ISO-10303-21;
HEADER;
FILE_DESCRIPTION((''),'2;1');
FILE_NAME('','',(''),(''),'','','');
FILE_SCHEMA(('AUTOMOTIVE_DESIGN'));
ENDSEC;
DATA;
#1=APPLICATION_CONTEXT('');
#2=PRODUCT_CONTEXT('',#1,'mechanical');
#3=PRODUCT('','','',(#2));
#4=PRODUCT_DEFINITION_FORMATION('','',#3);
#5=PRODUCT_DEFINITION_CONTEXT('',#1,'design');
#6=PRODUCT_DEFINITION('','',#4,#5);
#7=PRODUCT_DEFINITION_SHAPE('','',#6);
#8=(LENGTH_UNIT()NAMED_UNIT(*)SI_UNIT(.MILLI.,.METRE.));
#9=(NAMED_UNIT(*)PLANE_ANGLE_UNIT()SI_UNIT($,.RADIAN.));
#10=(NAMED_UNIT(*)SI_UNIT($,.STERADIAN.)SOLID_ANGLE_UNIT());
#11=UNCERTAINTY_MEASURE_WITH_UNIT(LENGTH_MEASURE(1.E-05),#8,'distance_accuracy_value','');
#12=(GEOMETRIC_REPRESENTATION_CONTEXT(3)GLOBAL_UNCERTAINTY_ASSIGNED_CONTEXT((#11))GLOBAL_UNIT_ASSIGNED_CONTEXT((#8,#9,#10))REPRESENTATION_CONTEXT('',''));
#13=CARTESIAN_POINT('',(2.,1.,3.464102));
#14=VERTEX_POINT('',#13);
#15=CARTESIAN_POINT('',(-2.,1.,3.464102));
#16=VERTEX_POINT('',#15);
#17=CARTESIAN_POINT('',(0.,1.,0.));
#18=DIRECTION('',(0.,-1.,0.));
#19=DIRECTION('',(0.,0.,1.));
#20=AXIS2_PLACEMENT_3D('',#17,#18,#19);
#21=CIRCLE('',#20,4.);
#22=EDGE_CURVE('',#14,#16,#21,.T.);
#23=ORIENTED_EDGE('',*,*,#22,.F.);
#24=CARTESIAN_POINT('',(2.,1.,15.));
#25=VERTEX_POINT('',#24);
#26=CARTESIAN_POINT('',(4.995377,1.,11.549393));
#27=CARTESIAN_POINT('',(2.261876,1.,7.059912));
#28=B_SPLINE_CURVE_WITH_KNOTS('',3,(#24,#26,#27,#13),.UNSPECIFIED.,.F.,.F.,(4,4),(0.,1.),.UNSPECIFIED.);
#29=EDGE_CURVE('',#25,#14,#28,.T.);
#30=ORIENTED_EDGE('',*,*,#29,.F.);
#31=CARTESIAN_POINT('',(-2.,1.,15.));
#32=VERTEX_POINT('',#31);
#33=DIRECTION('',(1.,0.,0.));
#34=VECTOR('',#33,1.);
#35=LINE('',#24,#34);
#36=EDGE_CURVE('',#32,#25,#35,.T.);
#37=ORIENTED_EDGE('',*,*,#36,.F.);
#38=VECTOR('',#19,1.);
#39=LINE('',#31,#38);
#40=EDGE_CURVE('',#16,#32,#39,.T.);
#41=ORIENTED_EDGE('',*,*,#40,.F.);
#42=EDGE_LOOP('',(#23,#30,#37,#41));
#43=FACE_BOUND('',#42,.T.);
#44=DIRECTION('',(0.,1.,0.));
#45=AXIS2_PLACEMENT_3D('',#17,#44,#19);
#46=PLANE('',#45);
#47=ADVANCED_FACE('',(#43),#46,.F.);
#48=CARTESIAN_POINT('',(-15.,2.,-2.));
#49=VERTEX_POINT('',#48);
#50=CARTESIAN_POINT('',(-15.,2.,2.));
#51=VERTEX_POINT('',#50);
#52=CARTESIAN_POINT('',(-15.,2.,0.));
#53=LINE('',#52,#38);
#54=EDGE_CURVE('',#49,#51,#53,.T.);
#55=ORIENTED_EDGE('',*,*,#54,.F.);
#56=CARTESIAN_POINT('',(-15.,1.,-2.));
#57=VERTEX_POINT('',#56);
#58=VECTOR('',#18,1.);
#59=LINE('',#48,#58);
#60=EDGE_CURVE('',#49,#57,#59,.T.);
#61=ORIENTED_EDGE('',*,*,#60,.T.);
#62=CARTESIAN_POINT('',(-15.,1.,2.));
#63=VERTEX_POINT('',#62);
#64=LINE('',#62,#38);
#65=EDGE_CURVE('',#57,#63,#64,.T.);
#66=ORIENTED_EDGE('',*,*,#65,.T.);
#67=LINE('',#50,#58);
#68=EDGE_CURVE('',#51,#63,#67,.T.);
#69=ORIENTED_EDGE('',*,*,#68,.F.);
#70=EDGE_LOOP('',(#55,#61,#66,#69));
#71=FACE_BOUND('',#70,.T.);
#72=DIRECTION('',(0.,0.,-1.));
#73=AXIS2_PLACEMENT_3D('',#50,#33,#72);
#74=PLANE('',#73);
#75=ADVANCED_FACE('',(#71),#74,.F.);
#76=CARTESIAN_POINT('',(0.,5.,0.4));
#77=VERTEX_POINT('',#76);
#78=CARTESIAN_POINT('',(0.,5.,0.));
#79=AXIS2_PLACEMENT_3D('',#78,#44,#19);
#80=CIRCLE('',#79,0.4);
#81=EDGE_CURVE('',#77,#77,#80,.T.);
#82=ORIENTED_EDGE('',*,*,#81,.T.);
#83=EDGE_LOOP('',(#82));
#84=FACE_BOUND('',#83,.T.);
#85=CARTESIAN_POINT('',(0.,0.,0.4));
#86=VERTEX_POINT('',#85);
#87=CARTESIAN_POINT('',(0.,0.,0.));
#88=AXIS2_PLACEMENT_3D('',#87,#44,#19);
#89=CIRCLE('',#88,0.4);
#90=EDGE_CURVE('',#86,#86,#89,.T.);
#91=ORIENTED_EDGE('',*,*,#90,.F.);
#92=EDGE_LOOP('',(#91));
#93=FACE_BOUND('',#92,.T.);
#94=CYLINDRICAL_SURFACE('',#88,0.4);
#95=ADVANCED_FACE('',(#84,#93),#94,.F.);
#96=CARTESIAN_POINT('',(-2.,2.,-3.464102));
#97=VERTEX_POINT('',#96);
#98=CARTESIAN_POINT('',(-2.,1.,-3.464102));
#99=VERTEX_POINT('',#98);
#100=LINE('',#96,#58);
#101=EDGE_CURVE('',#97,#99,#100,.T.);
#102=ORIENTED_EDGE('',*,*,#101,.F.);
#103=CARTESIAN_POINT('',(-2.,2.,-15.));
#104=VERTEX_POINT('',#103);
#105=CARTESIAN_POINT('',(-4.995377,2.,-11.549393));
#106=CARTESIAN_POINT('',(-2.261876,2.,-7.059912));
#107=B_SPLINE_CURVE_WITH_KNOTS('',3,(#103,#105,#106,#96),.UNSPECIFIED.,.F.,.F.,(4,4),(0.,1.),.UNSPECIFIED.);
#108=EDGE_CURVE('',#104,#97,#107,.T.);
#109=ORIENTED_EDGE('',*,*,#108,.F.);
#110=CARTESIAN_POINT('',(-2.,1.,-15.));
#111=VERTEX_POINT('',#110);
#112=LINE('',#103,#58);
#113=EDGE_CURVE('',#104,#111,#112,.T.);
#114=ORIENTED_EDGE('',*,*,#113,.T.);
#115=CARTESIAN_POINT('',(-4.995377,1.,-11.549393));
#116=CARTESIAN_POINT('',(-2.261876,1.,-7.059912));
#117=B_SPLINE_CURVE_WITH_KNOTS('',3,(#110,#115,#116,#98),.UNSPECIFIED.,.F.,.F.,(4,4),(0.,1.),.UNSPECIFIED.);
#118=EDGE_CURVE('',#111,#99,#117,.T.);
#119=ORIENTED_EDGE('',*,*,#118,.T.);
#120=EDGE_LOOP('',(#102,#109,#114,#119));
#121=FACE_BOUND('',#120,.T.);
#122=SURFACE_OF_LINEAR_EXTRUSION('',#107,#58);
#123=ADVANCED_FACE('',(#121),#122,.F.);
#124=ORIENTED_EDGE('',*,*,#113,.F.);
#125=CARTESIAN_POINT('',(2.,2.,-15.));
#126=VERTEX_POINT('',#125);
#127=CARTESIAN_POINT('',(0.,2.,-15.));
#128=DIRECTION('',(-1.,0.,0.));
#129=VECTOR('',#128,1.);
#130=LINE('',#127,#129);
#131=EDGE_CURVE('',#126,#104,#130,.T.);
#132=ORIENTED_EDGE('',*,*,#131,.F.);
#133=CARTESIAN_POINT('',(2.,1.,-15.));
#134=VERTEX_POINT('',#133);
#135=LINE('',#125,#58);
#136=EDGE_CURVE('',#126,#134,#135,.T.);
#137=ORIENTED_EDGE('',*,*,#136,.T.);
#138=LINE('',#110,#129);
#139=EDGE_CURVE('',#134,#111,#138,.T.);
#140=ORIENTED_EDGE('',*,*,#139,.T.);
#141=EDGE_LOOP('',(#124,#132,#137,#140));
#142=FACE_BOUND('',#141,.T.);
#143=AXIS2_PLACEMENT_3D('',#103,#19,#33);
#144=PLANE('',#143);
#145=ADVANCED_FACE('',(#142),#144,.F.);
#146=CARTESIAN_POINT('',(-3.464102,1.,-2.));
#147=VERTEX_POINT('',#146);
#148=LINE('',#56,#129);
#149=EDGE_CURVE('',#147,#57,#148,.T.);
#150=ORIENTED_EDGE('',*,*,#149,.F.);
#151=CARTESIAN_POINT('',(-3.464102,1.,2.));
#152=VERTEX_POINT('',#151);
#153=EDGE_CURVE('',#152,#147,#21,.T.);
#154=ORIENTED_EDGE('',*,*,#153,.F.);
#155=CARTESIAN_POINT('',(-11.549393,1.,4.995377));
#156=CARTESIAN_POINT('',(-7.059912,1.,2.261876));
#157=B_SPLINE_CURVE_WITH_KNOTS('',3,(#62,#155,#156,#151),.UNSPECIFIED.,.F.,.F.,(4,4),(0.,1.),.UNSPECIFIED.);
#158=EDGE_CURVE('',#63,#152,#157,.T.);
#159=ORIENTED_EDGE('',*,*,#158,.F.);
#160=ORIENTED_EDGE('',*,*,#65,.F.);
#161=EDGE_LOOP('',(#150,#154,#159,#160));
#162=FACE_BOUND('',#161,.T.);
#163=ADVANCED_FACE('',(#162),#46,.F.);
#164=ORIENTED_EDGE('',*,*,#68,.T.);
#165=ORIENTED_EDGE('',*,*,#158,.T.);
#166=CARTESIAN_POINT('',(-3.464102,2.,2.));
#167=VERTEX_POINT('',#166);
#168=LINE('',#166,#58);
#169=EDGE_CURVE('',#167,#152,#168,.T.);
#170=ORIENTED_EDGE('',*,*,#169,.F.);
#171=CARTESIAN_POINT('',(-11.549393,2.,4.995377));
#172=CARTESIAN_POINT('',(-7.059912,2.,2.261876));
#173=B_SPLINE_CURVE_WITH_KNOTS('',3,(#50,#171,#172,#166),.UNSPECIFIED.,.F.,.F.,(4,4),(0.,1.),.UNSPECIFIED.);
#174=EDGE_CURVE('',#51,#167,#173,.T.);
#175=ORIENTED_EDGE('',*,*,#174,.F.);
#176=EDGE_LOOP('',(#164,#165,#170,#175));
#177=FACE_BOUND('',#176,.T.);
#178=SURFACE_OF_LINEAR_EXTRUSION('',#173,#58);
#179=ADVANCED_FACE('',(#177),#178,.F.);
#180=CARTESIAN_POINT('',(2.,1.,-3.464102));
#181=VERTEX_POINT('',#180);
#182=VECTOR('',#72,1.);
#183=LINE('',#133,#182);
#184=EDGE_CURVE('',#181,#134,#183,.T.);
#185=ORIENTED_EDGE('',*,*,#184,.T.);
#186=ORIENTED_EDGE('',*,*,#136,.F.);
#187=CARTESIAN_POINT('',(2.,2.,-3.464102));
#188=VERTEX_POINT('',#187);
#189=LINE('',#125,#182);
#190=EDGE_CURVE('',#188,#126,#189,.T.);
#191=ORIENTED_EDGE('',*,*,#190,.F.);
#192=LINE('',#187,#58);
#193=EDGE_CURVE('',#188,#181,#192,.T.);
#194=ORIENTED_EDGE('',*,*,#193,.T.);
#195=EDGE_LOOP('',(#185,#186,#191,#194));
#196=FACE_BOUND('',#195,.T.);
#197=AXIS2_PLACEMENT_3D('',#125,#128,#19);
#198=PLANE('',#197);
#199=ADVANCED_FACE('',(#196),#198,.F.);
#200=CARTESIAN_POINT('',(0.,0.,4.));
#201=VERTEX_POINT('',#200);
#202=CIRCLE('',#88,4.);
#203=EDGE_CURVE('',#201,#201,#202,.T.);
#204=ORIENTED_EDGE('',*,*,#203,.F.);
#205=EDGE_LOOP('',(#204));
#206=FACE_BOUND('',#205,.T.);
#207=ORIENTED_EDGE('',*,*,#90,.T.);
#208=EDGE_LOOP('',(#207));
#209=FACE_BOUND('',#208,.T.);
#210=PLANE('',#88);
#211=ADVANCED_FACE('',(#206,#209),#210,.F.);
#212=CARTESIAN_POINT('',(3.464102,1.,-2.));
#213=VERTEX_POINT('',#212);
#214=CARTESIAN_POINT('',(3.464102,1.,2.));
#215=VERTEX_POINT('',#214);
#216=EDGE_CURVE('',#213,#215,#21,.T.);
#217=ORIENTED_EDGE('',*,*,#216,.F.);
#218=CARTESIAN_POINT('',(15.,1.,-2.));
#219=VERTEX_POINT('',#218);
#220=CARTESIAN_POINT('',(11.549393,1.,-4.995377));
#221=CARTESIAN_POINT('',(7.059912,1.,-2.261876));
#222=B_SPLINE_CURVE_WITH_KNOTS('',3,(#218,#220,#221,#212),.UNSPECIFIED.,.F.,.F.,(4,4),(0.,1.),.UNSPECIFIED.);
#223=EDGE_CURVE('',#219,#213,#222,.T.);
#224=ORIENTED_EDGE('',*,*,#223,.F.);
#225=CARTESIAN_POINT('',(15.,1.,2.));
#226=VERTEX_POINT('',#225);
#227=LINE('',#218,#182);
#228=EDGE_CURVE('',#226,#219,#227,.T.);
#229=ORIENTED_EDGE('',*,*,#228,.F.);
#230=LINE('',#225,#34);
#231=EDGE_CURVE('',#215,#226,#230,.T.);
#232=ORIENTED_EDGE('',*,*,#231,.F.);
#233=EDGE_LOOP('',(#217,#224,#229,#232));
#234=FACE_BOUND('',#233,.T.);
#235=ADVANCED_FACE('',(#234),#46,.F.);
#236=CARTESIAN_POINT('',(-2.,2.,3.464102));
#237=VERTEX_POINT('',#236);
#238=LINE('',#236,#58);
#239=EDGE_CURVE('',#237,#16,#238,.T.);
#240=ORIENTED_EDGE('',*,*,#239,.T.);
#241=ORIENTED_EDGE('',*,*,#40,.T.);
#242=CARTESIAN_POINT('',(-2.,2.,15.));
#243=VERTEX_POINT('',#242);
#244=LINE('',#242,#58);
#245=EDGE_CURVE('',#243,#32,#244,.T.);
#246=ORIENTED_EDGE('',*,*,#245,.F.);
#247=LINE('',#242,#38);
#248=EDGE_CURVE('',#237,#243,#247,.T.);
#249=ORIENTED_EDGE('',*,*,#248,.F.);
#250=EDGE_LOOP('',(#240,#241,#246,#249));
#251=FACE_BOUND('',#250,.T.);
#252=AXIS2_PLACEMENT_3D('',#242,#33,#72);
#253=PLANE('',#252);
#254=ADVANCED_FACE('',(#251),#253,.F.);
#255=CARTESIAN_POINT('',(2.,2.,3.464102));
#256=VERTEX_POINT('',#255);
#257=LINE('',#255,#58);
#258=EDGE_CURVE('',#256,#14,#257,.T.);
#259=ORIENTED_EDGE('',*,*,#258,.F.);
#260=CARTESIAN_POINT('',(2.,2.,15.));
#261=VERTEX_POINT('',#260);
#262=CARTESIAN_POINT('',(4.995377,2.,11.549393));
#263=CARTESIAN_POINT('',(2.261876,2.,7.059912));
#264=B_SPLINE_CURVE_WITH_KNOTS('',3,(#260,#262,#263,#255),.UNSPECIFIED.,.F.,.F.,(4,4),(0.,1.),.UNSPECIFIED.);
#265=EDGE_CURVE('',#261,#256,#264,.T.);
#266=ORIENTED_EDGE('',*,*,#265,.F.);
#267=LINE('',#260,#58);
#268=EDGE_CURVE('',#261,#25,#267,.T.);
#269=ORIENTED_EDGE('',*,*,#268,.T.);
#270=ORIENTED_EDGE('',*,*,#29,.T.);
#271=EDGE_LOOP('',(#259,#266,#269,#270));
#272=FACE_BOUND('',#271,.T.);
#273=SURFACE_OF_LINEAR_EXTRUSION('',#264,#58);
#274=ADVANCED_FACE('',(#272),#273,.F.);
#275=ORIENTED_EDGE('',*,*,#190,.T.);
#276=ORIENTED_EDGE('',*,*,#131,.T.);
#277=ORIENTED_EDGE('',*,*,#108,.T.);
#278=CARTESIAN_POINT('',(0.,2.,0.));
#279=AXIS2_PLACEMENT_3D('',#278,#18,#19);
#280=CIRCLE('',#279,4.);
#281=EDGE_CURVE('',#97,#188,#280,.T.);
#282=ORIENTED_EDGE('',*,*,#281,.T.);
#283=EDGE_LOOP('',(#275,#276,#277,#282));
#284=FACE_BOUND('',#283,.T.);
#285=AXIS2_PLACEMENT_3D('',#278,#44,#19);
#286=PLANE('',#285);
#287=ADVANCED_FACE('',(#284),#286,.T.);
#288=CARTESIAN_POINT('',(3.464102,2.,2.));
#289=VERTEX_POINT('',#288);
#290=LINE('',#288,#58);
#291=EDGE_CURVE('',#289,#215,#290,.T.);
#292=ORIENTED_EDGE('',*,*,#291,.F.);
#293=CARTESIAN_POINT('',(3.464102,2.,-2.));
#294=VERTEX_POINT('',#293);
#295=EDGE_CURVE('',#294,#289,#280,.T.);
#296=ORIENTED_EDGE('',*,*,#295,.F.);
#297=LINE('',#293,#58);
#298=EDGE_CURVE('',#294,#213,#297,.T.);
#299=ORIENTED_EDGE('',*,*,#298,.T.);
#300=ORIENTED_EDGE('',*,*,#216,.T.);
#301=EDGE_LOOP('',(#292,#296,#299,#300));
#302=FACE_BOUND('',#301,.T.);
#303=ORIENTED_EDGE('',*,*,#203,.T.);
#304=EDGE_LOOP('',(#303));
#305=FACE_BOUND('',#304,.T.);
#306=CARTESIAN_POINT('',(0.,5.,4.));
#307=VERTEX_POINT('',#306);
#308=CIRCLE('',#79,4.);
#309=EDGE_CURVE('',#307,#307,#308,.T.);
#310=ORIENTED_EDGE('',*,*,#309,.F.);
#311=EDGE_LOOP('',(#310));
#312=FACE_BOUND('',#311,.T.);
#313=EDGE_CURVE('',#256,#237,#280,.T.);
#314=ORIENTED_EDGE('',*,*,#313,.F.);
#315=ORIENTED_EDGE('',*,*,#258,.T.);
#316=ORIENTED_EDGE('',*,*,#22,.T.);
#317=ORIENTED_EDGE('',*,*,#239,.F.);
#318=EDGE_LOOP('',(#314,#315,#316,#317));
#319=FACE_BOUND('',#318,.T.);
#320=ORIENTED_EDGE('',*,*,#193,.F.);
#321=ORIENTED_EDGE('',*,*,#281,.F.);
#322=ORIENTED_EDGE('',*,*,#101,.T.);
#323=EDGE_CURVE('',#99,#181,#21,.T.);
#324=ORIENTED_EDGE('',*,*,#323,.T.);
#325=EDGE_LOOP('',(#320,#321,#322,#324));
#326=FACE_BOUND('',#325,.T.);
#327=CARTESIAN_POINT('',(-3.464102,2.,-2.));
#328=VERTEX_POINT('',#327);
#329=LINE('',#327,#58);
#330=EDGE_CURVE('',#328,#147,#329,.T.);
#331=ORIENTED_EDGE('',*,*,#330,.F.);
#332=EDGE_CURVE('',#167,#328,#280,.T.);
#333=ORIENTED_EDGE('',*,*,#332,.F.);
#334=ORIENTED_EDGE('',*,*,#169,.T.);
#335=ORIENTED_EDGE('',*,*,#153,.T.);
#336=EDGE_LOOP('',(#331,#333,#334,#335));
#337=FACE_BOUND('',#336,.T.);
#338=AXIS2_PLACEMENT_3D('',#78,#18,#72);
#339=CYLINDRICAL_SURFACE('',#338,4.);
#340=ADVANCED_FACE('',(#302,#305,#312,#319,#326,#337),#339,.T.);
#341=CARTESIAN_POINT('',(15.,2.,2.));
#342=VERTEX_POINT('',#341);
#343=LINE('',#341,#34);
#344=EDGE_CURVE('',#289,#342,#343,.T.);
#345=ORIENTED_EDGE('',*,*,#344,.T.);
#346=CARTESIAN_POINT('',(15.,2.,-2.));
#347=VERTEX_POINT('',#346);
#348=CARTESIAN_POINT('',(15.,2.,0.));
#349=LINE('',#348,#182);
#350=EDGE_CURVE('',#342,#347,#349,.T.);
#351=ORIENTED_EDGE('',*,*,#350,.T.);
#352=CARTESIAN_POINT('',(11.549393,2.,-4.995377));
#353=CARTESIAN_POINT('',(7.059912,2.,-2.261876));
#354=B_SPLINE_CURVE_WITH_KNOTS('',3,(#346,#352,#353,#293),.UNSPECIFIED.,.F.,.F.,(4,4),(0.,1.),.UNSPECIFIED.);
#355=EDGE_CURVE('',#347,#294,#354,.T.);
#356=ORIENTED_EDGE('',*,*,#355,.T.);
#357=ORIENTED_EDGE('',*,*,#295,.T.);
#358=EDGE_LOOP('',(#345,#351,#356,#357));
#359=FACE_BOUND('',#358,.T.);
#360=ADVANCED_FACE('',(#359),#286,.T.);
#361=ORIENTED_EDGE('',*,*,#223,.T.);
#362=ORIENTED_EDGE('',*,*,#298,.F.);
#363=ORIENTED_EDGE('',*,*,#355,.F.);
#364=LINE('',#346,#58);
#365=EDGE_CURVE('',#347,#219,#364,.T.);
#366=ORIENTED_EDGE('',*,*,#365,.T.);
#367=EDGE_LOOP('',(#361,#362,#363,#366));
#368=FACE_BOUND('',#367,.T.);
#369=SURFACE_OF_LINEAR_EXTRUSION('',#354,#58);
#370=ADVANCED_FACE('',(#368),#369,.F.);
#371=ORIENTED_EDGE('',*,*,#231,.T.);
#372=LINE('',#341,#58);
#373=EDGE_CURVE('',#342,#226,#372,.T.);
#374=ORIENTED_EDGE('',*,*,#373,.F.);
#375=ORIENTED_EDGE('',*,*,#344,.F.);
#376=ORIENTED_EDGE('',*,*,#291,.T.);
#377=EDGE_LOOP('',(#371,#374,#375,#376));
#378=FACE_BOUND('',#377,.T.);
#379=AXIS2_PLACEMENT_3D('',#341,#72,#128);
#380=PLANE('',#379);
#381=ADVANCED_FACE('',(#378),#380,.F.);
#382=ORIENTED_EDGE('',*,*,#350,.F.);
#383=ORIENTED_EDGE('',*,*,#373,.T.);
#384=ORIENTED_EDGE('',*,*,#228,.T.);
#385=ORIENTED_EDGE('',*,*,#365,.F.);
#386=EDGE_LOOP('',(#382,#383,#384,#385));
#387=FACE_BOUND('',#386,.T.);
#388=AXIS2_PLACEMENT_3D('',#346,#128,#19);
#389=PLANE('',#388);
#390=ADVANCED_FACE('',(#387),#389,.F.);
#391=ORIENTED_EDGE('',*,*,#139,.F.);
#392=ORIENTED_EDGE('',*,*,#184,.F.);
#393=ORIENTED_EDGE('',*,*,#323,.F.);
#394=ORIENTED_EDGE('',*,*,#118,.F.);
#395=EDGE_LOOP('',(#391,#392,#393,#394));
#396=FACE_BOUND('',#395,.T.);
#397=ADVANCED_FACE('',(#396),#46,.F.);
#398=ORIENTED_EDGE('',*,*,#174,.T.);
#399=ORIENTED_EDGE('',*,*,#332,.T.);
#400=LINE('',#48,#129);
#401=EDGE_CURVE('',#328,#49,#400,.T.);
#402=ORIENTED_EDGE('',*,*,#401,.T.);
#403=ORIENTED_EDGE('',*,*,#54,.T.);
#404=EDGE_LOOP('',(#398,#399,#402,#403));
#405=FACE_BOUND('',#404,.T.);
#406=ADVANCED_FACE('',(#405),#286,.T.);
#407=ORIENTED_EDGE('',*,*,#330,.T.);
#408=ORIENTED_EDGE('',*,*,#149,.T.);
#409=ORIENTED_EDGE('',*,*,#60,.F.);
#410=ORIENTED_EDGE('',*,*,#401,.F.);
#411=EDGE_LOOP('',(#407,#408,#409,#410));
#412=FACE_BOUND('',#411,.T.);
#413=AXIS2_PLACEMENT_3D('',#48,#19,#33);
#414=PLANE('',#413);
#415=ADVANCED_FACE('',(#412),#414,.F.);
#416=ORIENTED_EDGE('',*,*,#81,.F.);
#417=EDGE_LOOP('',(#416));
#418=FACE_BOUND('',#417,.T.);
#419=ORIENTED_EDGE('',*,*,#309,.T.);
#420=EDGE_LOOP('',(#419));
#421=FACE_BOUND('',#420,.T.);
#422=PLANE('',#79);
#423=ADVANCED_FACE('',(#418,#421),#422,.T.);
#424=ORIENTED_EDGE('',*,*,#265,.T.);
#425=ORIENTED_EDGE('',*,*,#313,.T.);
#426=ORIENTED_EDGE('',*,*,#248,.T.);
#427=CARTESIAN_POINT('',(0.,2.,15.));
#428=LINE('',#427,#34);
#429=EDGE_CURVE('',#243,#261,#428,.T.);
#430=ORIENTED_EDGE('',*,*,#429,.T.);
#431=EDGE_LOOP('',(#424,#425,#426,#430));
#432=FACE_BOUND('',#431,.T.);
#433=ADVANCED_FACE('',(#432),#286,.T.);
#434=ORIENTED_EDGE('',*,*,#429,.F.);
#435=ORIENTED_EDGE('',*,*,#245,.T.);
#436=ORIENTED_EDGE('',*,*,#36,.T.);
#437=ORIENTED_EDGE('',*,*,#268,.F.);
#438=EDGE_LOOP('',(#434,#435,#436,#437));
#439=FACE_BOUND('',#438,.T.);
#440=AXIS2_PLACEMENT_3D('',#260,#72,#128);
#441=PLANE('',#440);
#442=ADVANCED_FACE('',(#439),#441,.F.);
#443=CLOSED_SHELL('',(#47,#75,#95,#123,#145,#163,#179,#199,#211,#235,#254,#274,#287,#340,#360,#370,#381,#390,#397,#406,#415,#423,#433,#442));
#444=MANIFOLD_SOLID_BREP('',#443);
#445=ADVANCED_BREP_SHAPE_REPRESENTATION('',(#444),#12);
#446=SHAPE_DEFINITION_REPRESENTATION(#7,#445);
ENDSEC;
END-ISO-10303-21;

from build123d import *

# Parameters (mm, degrees)
SKETCH1_R               = 4
BOSS_EXTRUDE1_DEPTH     = 5
BOSS_EXTRUDE2_START     = 1
BOSS_EXTRUDE2_DEPTH     = 1
SKETCH3_R               = 0.4
CUT_EXTRUDE1_DEPTH      = 1
CUT_EXTRUDE1_DEPTH_BACK = 6


with BuildPart() as part:
    # Sketch1 → Boss-Extrude1 (new body)
    with BuildSketch(Plane(origin=(0, 0, 0), x_dir=(1, 0, 0), z_dir=(0, 1, 0))):
        Circle(SKETCH1_R)
    extrude(amount=BOSS_EXTRUDE1_DEPTH)

    # Sketch2 → Boss-Extrude2 (add)
    with BuildSketch(Plane(origin=(0, 0, 0), x_dir=(1, 0, 0), z_dir=(0, 1, 0)).offset(BOSS_EXTRUDE2_START)):
        with BuildLine():
            Line((15, -2), (3.464101615, -2))
            ThreePointArc((3.464101615, -2), (4, 0), (3.464101615, 2))
            add(Edge.make_bspline(
                [(3.464101615, 2), (7.059911859, 2.261875705), (11.549393059, 4.995376959), (15, 2)],
                knots=[0, 0, 0, 0, 1, 1, 1, 1], degree=3))
            Line((15, 2), (15, 0))
            Line((15, 0), (15, -2))
        make_face()
        with BuildLine():
            Line((2, -15), (0, -15))
            Line((0, -15), (-2, -15))
            Line((-2, -15), (-2, -3.464101615))
            ThreePointArc((-2, -3.464101615), (0, -4), (2, -3.464101615))
            add(Edge.make_bspline(
                [(2, -3.464101615), (2.261875705, -7.059911859), (4.995376959, -11.549393059), (2, -15)],
                knots=[0, 0, 0, 0, 1, 1, 1, 1], degree=3))
        make_face()
        with BuildLine():
            Line((-15, -2), (-15, 0))
            Line((-15, 0), (-15, 2))
            Line((-15, 2), (-3.464101615, 2))
            ThreePointArc((-3.464101615, 2), (-4, 0), (-3.464101615, -2))
            add(Edge.make_bspline(
                [(-3.464101615, -2), (-7.059911859, -2.261875705), (-11.549393059, -4.995376959), (-15, -2)],
                knots=[0, 0, 0, 0, 1, 1, 1, 1], degree=3))
        make_face()
        with BuildLine():
            Line((-2, 15), (0, 15))
            Line((0, 15), (2, 15))
            Line((2, 15), (2, 3.464101615))
            ThreePointArc((2, 3.464101615), (0, 4), (-2, 3.464101615))
            add(Edge.make_bspline(
                [(-2, 3.464101615), (-2.261875705, 7.059911859), (-4.995376959, 11.549393059), (-2, 15)],
                knots=[0, 0, 0, 0, 1, 1, 1, 1], degree=3))
        make_face()
    extrude(amount=BOSS_EXTRUDE2_DEPTH)

    # Sketch3 → Cut-Extrude1 (cut, two sides)
    with BuildSketch(Plane(origin=(0, 5, 0), x_dir=(1, 0, 0), z_dir=(0, 1, 0))) as cut_extrude1_sk:
        Circle(SKETCH3_R)
    extrude(amount=CUT_EXTRUDE1_DEPTH, mode=Mode.SUBTRACT)
    extrude(cut_extrude1_sk.sketch, amount=-CUT_EXTRUDE1_DEPTH_BACK, mode=Mode.SUBTRACT)


solid = part.part
